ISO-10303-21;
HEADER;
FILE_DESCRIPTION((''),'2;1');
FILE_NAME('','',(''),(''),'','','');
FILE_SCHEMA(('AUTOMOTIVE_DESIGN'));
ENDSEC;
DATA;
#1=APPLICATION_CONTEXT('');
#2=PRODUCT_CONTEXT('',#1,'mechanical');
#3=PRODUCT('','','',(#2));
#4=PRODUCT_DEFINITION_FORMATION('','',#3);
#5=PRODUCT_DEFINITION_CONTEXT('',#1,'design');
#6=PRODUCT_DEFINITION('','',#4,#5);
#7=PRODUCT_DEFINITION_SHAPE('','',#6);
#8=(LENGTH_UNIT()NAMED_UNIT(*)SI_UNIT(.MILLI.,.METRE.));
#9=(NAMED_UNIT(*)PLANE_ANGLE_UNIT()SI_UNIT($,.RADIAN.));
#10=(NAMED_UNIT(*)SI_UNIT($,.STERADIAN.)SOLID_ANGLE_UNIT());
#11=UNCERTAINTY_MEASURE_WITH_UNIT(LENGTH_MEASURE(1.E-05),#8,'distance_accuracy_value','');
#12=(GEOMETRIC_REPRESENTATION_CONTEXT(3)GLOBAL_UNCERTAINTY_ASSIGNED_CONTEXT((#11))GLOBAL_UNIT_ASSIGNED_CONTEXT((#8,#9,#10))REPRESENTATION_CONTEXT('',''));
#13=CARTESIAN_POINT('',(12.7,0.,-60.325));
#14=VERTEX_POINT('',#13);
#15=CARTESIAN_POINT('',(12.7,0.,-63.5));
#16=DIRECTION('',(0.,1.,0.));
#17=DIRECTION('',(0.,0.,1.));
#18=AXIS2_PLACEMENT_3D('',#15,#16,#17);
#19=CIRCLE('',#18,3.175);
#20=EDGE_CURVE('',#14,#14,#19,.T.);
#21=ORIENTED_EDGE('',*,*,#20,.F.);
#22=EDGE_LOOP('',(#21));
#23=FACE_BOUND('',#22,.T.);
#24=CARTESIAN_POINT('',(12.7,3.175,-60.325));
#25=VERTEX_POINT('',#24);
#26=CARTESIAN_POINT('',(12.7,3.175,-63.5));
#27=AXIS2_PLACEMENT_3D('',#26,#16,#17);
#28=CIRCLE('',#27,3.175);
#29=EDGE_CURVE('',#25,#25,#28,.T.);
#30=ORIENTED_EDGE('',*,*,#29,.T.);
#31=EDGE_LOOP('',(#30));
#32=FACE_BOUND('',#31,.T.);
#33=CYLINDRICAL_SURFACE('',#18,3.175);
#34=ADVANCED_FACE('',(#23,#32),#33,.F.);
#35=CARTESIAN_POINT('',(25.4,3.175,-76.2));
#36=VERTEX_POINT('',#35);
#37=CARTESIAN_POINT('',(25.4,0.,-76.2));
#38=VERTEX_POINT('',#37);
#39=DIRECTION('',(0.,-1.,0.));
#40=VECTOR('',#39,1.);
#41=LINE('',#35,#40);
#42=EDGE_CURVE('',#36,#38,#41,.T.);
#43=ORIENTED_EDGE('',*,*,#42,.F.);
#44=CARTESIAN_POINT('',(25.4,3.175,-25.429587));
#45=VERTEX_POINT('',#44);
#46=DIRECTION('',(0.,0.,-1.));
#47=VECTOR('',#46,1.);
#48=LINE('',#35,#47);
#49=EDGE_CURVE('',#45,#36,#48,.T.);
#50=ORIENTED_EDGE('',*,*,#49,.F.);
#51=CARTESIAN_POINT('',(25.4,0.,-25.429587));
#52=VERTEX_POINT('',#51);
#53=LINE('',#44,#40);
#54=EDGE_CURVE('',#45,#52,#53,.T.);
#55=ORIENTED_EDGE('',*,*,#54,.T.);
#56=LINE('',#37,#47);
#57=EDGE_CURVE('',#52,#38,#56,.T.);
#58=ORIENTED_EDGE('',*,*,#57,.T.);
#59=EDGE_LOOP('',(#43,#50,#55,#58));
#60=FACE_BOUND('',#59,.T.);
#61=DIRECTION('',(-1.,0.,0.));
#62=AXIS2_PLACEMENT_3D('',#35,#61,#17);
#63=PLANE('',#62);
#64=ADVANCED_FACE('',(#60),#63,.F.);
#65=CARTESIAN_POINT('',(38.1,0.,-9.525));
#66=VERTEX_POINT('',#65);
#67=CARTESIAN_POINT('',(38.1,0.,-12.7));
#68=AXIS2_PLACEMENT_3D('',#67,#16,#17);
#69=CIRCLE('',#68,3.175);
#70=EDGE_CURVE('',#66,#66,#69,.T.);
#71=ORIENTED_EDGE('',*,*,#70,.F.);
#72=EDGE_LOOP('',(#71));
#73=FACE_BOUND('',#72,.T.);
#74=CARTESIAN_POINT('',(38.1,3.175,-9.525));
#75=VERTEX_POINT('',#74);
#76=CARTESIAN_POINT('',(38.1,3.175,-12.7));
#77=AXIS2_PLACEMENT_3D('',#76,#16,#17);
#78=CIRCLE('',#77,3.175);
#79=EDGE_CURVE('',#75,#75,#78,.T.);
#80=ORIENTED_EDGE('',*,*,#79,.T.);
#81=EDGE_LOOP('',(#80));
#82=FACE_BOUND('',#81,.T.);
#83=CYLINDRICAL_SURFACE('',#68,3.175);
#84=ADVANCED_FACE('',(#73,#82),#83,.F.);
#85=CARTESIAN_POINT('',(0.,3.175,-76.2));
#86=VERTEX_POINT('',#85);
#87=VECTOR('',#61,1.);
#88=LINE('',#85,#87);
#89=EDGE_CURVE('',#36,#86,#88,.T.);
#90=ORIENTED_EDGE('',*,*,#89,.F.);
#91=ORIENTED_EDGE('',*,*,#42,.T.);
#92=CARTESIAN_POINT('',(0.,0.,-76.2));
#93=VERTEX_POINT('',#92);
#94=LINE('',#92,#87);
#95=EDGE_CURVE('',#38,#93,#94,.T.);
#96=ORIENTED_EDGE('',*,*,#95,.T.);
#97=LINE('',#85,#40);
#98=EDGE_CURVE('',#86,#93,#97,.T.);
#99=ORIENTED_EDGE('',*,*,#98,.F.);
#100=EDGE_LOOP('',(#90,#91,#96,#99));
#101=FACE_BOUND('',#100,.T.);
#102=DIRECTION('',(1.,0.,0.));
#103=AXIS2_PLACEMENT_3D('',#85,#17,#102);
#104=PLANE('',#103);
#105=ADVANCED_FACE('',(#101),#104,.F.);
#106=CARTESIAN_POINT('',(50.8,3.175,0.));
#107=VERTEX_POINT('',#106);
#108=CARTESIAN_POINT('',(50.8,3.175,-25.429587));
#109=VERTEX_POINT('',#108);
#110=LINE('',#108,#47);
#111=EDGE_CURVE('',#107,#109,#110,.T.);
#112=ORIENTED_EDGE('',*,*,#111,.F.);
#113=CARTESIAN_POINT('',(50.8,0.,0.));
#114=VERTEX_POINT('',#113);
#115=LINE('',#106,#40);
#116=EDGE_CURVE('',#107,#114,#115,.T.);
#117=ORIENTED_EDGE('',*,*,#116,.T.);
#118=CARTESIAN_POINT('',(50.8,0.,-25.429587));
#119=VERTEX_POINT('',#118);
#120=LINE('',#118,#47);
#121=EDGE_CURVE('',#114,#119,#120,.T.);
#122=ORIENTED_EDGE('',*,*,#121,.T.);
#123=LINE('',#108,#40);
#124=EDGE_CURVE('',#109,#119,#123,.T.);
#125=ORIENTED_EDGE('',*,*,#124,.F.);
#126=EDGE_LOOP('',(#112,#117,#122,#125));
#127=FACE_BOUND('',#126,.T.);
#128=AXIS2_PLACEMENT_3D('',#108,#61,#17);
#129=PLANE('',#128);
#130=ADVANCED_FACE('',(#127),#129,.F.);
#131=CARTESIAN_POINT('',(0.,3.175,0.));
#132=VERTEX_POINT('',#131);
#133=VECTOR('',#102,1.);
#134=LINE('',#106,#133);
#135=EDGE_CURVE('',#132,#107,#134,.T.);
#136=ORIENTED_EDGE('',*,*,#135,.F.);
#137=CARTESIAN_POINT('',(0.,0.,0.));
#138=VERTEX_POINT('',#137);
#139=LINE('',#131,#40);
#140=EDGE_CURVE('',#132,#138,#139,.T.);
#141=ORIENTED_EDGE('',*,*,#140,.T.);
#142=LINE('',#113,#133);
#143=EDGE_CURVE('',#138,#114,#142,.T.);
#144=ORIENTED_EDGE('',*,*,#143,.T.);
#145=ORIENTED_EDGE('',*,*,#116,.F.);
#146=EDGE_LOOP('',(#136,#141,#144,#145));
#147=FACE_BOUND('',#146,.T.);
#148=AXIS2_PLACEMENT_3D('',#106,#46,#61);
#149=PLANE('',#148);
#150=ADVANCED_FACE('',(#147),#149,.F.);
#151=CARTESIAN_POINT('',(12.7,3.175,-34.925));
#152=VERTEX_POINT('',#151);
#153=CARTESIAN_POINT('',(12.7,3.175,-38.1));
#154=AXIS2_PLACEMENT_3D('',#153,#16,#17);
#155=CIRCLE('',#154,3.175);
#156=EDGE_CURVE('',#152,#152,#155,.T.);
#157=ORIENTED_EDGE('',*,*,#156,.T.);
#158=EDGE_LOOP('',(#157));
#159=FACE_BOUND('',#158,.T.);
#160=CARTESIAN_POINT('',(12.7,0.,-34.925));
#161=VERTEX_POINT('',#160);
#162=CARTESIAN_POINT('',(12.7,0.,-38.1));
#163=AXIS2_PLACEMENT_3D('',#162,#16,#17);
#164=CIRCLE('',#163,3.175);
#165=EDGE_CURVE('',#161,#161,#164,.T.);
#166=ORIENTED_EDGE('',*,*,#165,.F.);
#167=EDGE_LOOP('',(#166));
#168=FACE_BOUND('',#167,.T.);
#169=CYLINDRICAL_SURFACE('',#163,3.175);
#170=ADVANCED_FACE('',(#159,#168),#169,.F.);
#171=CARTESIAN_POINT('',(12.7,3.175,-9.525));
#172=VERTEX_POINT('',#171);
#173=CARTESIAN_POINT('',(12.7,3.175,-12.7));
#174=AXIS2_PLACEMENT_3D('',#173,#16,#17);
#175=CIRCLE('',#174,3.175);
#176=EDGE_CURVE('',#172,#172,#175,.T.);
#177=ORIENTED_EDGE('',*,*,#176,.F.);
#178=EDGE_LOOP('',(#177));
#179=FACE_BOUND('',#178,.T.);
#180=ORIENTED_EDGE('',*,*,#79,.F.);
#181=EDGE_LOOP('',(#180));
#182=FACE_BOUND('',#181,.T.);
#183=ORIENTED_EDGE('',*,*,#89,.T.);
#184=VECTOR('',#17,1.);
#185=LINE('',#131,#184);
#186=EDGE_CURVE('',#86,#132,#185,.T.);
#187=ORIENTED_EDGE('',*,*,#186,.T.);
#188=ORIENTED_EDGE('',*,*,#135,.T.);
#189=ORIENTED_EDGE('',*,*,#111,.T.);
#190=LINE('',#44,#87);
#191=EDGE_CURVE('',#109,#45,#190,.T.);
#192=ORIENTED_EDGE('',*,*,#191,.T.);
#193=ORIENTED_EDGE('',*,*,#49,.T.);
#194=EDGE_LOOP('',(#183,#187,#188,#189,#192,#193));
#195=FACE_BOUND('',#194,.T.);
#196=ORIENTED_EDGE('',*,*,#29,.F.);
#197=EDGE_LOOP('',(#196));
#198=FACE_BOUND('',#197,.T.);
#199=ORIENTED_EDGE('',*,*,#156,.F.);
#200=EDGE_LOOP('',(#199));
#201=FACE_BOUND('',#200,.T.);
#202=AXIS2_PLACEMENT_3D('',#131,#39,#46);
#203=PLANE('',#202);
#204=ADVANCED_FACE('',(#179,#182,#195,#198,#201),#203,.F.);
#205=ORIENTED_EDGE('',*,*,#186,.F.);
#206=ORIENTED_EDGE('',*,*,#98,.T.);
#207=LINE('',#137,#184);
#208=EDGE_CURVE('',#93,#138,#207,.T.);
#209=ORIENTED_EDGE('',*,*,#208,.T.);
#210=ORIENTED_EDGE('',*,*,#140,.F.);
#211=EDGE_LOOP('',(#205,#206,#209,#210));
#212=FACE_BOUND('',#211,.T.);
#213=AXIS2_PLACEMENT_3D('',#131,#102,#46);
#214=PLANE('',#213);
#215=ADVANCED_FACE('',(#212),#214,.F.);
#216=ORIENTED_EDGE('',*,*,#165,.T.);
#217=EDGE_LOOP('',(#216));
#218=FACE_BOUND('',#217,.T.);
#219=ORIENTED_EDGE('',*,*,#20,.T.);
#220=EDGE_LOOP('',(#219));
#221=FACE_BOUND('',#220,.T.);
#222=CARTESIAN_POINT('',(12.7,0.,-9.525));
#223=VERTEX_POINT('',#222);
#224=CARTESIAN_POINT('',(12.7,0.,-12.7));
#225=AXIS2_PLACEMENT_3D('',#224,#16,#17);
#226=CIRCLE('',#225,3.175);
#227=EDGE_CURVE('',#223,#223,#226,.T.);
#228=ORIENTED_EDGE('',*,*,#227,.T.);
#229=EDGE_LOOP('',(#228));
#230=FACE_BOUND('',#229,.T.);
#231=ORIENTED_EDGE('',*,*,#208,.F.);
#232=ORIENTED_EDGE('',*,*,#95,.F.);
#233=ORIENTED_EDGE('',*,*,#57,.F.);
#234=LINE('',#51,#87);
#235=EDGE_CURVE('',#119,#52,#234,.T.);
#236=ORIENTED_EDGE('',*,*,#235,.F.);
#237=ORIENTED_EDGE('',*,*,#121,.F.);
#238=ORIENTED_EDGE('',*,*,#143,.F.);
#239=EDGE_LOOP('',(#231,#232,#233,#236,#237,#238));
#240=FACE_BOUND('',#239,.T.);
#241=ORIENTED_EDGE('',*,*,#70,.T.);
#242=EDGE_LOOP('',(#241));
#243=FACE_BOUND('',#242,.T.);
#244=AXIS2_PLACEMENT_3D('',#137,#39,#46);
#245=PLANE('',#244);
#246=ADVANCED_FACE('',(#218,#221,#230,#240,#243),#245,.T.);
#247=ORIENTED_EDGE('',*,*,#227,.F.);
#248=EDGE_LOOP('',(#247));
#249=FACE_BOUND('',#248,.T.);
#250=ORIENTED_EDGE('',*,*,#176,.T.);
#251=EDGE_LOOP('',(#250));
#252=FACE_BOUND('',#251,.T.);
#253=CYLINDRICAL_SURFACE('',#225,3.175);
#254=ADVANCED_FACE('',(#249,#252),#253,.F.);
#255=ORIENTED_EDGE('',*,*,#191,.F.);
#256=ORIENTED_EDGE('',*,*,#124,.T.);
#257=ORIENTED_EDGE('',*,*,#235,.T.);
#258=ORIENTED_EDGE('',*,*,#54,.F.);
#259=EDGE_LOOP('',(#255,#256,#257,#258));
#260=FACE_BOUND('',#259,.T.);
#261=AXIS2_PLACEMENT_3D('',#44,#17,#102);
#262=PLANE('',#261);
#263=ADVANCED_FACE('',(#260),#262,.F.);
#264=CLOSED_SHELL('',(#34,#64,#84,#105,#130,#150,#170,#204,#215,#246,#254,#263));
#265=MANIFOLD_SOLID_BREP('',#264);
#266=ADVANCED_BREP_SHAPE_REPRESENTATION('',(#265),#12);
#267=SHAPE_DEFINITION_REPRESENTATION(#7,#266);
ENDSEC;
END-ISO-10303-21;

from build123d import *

# Parameters (mm, degrees)
BOSS_EXTRUDE1_DEPTH = 3.175
SKETCH2_R           = 3.175
CUT_EXTRUDE1_DEPTH  = 3.175
LPATTERN1_COUNT     = 3
LPATTERN1_PITCH     = 25.4
LPATTERN2_COUNT     = 2
LPATTERN2_PITCH     = 25.4


with BuildPart() as part:
    # Sketch1 → Boss-Extrude1 (new body)
    with BuildSketch(Plane(origin=(0, 0, 0), x_dir=(1, 0, 0), z_dir=(0, 1, 0))):
        Polygon((0, 0), (0, 76.2), (25.4, 76.2), (25.4, 25.429586946), (50.8, 25.429586946), (50.8, 0), align=None)
    extrude(amount=BOSS_EXTRUDE1_DEPTH)

    # Sketch2 → Cut-Extrude1 (cut)
    with BuildSketch(Plane(origin=(0, 3.175, 0), x_dir=(1, 0, 0), z_dir=(0, 1, 0))):
        with Locations(Location((12.7, 12.7, 0), (0, 0, 270))):
            Circle(SKETCH2_R)
    cut_extrude1 = extrude(amount=-CUT_EXTRUDE1_DEPTH, mode=Mode.SUBTRACT)

    # LPattern1: Cut-Extrude1 ×3
    with Locations(*[(0, 0, -i * LPATTERN1_PITCH) for i in range(1, LPATTERN1_COUNT)]):
        add(cut_extrude1, mode=Mode.SUBTRACT)

    # LPattern2: Cut-Extrude1 ×2
    with Locations(*[(i * LPATTERN2_PITCH, 0, 0) for i in range(1, LPATTERN2_COUNT)]):
        add(cut_extrude1, mode=Mode.SUBTRACT)


solid = part.part
